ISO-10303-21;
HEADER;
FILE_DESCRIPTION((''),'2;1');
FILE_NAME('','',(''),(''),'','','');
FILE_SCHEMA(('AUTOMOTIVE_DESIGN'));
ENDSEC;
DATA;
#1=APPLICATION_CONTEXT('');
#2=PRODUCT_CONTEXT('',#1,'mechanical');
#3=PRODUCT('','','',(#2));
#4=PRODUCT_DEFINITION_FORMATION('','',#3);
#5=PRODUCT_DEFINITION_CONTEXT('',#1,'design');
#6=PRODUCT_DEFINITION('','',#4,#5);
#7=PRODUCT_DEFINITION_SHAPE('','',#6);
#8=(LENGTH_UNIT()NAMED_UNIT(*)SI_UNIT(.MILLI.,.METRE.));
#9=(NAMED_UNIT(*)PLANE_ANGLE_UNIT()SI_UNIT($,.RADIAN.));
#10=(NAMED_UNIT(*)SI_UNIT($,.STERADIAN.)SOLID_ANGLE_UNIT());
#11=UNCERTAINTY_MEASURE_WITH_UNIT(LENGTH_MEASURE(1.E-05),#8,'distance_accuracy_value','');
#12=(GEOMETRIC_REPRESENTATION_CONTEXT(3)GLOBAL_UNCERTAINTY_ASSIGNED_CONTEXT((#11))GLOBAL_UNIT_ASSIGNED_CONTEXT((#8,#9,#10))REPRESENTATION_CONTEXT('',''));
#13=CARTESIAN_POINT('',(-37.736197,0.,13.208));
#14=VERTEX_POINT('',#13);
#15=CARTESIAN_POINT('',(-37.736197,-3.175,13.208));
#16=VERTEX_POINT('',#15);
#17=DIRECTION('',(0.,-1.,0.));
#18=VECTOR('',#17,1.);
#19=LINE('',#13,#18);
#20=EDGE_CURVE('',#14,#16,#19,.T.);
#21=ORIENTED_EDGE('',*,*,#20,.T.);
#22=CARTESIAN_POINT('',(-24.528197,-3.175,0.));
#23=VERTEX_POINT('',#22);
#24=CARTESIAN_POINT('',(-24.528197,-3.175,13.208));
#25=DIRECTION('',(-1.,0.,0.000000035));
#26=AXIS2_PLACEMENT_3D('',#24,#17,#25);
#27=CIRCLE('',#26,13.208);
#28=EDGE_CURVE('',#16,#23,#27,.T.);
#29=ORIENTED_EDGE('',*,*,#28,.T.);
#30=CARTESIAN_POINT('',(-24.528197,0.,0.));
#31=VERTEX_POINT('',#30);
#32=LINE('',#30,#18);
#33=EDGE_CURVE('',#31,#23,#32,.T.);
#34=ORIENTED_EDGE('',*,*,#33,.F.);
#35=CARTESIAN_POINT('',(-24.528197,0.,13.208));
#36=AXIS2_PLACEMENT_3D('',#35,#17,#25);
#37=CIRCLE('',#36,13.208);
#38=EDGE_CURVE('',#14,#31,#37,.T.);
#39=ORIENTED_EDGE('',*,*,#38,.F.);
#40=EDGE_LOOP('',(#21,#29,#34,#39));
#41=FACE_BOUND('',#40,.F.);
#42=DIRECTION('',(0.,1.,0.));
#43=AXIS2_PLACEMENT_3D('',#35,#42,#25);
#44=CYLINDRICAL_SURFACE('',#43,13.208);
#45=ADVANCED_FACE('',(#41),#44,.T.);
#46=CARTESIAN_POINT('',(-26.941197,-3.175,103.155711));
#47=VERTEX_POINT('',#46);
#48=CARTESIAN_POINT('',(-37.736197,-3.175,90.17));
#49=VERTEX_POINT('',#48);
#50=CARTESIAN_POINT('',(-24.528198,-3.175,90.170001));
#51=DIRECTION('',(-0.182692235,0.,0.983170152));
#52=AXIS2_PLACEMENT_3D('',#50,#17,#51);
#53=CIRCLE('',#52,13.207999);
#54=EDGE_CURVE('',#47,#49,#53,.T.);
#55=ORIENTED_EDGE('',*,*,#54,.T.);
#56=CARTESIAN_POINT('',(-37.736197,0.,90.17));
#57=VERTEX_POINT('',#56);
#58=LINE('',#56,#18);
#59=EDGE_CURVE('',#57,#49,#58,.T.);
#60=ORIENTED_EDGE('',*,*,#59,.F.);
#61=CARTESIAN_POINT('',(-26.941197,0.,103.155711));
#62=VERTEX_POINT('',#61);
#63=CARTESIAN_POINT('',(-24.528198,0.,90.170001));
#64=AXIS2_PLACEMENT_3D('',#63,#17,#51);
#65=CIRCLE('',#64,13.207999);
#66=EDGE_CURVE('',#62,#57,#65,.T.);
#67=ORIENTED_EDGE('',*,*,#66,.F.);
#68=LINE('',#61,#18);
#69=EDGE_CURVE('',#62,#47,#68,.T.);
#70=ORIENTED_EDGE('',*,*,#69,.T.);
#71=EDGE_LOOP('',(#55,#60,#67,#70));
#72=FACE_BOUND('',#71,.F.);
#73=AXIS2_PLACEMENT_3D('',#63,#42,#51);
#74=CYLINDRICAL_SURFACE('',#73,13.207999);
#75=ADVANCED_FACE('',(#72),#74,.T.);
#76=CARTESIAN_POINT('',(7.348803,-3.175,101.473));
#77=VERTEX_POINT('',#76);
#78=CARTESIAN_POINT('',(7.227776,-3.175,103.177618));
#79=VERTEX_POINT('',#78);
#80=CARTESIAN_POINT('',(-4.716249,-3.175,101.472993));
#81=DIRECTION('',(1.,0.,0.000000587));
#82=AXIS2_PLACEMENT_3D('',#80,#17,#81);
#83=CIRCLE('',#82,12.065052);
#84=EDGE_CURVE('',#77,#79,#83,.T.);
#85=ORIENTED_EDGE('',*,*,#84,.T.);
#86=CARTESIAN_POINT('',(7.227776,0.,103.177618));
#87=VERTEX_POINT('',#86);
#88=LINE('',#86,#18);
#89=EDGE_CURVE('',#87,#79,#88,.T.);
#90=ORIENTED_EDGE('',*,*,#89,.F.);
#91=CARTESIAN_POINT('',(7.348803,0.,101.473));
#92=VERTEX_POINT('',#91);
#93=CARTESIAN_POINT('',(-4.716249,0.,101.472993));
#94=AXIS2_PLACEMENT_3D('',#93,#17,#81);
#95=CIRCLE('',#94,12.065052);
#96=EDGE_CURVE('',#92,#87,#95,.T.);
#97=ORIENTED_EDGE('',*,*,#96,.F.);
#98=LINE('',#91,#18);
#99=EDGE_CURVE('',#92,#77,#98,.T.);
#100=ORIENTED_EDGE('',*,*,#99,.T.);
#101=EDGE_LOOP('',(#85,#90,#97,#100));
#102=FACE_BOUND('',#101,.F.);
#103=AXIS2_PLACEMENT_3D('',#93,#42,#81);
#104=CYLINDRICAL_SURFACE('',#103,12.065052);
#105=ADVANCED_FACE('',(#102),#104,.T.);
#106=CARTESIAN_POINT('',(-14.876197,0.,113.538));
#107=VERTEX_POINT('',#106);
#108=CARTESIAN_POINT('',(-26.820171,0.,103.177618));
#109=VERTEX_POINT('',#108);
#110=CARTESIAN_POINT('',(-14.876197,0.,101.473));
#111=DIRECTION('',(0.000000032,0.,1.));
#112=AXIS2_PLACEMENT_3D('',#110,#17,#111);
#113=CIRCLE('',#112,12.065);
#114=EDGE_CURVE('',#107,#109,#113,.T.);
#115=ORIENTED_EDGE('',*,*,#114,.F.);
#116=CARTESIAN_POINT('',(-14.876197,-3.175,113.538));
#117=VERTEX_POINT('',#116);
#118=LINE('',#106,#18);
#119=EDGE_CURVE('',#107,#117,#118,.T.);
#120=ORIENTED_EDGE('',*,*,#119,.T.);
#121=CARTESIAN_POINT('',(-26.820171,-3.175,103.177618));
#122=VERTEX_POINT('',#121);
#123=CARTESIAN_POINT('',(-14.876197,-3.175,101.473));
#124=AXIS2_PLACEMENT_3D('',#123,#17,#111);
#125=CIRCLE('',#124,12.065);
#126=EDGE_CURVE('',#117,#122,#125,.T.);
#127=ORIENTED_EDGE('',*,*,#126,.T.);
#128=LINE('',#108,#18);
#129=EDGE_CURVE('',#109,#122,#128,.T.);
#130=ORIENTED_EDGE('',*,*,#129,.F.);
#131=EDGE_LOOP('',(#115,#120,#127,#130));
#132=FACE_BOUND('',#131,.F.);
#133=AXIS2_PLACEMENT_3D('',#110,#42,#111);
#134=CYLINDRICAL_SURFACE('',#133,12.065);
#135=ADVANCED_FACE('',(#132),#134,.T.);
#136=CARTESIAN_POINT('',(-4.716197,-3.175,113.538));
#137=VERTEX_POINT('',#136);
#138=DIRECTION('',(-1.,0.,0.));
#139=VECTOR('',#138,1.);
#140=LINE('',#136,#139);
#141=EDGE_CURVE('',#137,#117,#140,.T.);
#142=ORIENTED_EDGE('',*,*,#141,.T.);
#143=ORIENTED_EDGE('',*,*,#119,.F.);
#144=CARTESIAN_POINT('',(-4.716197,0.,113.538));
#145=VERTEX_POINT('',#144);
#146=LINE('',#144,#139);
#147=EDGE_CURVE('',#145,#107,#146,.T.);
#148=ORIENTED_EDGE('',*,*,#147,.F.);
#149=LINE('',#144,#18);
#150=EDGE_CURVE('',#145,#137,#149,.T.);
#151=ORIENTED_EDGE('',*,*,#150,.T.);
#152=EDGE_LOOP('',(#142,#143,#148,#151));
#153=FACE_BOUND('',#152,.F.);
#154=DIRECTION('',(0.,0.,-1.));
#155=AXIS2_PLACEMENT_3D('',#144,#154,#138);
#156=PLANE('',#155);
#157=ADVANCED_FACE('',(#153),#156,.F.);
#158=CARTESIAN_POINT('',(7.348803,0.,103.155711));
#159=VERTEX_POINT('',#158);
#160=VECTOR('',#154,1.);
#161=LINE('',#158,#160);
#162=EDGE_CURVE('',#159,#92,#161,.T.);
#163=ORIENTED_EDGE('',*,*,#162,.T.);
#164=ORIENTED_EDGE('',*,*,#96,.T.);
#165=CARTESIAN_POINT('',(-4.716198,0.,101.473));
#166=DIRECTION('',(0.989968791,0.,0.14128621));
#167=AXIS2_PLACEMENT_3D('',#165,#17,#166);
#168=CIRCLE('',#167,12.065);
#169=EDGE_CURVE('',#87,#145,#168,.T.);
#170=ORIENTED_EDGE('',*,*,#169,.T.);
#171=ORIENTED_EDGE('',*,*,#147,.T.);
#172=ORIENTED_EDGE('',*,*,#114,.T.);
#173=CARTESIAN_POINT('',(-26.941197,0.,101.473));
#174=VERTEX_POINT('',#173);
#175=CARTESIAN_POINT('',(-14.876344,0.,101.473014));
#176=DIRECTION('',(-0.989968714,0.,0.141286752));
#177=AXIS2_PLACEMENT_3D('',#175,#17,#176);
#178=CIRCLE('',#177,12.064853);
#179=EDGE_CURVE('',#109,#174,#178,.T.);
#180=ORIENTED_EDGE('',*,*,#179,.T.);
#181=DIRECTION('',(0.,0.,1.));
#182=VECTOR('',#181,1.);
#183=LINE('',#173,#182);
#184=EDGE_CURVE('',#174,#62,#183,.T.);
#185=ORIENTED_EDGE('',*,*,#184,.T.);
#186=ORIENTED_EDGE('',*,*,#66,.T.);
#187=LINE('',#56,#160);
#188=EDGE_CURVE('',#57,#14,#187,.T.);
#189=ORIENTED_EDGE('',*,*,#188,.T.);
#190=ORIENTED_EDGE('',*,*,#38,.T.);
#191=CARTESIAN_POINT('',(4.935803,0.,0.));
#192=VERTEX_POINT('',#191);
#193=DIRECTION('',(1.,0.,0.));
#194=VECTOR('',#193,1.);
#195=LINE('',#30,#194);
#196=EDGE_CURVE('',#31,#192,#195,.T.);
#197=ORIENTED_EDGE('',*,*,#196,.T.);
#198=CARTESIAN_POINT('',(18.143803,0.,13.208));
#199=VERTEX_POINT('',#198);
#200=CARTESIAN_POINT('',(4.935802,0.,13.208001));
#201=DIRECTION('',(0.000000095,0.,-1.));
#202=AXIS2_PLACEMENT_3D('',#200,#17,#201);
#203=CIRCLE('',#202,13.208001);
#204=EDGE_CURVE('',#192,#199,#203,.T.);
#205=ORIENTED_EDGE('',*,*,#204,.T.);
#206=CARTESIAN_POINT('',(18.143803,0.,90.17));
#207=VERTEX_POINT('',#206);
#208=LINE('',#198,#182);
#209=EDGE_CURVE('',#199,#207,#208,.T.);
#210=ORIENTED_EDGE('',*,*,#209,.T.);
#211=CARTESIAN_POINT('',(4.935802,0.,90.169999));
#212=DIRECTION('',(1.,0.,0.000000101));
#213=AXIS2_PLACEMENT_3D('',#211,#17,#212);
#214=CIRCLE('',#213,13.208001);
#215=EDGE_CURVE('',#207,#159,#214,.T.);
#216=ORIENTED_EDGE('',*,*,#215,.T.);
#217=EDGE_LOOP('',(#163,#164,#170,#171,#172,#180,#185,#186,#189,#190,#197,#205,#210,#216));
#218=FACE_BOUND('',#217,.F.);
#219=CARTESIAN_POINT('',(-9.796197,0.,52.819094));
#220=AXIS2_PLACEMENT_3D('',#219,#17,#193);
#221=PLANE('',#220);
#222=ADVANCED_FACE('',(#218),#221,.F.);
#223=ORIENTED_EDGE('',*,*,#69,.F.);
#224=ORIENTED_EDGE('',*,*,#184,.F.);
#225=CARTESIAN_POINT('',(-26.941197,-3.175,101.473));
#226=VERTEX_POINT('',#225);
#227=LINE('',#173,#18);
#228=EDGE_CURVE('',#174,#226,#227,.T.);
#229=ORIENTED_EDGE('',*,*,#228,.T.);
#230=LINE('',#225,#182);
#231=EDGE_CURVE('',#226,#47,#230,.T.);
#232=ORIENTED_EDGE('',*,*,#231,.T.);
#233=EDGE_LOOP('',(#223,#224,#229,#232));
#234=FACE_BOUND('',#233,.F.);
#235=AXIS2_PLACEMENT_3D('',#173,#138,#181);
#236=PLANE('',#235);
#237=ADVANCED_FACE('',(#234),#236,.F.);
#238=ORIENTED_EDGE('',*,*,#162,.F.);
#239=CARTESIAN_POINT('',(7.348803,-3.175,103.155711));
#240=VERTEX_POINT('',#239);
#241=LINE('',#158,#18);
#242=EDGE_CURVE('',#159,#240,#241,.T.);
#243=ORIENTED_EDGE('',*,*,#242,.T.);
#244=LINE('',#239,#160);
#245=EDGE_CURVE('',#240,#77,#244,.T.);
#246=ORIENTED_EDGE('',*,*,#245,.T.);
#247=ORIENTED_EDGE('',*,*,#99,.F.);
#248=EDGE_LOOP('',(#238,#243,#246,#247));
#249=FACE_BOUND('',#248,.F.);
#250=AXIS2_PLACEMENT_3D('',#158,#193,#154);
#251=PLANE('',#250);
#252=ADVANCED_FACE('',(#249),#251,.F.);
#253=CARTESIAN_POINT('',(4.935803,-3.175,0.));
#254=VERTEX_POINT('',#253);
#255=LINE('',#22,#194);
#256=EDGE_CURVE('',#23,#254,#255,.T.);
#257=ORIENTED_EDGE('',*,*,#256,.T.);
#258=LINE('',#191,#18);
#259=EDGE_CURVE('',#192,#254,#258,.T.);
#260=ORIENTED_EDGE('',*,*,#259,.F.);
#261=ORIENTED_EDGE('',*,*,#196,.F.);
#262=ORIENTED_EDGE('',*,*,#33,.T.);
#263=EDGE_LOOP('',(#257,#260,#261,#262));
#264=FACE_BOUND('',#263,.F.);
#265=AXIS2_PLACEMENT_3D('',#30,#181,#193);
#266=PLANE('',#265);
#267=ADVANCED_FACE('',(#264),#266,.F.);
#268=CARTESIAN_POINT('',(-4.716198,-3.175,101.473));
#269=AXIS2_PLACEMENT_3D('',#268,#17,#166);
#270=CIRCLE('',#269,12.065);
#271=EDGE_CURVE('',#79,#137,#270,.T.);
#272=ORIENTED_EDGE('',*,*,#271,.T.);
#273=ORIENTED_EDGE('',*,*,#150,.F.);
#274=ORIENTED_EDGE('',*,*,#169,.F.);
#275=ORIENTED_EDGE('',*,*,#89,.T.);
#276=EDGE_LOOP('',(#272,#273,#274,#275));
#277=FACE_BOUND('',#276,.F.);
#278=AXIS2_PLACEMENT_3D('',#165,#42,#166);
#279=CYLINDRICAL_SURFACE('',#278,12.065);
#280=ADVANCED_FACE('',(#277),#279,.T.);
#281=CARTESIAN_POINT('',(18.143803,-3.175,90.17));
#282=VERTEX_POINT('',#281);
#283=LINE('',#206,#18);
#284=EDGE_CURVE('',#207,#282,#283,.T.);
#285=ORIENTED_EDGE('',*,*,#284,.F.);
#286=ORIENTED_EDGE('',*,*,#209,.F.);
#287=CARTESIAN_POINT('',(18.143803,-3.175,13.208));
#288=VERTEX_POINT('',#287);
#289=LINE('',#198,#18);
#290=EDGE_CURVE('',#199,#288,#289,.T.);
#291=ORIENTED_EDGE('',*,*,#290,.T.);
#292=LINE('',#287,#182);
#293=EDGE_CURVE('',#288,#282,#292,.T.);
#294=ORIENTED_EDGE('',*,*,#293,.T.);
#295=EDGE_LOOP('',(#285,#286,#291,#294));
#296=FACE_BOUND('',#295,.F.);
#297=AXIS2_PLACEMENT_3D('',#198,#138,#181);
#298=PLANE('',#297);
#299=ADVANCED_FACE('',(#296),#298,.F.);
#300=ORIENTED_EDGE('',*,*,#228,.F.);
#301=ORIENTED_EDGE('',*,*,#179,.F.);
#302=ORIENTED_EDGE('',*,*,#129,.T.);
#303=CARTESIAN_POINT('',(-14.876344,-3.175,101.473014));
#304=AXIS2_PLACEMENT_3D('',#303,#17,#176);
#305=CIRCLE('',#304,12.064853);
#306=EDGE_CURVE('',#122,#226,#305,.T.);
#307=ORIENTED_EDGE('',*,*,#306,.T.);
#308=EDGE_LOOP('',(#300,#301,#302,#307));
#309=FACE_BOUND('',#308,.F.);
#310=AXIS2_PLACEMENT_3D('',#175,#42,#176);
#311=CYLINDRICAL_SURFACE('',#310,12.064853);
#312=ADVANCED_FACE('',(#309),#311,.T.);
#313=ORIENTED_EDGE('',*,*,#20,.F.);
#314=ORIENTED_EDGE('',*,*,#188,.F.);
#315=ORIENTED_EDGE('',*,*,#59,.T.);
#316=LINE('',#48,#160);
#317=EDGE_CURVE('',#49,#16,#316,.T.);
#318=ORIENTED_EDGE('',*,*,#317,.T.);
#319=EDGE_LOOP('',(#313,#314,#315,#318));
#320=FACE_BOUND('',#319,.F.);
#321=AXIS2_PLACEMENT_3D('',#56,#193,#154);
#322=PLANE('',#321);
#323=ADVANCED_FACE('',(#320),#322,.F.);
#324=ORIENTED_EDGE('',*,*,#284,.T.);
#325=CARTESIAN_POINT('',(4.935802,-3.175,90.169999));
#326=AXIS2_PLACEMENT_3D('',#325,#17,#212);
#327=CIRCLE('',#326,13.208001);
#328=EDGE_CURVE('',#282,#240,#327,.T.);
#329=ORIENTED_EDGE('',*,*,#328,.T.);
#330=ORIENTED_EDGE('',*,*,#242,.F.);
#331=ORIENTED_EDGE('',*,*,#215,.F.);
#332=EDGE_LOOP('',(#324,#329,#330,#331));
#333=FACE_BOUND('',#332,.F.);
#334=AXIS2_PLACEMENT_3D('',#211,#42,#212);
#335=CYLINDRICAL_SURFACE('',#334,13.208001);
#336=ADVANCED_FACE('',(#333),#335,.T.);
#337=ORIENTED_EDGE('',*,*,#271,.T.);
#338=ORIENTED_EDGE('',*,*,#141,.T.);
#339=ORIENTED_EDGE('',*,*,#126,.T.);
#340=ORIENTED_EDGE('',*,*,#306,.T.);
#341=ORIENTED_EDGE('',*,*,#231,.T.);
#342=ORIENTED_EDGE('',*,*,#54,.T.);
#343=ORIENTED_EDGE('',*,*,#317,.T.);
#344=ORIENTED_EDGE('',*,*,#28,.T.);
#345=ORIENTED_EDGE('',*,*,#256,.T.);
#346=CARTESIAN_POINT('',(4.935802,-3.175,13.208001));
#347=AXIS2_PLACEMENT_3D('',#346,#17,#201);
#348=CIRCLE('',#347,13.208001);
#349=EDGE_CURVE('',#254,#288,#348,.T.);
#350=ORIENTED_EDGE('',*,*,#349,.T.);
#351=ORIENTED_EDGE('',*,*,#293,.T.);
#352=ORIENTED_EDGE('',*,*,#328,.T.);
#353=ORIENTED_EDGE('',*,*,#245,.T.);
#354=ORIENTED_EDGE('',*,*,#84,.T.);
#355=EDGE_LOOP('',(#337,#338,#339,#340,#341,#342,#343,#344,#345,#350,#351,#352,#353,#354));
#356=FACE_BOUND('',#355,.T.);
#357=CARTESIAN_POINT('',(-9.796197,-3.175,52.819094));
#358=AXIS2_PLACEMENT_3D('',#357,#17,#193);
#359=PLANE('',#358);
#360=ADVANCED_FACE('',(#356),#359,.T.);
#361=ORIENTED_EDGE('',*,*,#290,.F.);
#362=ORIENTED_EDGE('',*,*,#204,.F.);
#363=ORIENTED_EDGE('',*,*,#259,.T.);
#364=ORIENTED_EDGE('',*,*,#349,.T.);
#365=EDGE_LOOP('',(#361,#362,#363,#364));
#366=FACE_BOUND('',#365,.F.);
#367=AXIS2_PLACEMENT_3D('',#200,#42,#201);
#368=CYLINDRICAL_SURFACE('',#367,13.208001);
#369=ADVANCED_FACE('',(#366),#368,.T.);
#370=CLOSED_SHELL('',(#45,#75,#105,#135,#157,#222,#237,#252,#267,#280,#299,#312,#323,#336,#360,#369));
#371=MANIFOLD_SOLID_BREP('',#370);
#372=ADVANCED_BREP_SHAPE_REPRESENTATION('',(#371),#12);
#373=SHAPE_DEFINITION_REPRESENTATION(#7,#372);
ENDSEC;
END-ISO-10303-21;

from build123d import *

# Parameters (mm, degrees)
F1_DEPTH = 3.175


with BuildPart() as f1:
    # F0 (on Front) → F1 (new body)
    with BuildSketch(Plane.XZ):
        with BuildLine():
            ThreePointArc((-37.736197, 13.208), (-33.867664, 3.868534), (-24.528197, 0))
            Line((-24.528197, 0), (4.935803, 0))
            ThreePointArc((4.935803, 0), (14.275269, 3.868534), (18.143803, 13.208))
            Line((18.143803, 13.208), (18.143803, 90.17))
            ThreePointArc((18.143803, 90.17), (15.092627, 98.613351), (7.348803, 103.155711))
            Line((7.348803, 103.155711), (7.348803, 101.473))
            ThreePointArc((7.348803, 101.473), (7.318508, 102.327454), (7.227776, 103.177618))
            ThreePointArc((7.227776, 103.177618), (6.086161, 103.327809), (4.935803, 103.378))
            Line((4.935803, 103.378), (-24.528197, 103.378))
            ThreePointArc((-24.528197, 103.378), (-25.678556, 103.327809), (-26.820171, 103.177618))
            ThreePointArc((-26.820171, 103.177618), (-26.910903, 102.327454), (-26.941197, 101.473))
            Line((-26.941197, 101.473), (-26.941197, 103.155711))
            ThreePointArc((-26.941197, 103.155711), (-34.685022, 98.613351), (-37.736197, 90.17))
            Line((-37.736197, 90.17), (-37.736197, 13.208))
        make_face()
        with BuildLine():
            ThreePointArc((-14.876197, 113.538), (-22.781829, 110.587012), (-26.820171, 103.177618))
            ThreePointArc((-26.820171, 103.177618), (-25.678556, 103.327809), (-24.528197, 103.378))
            Line((-24.528197, 103.378), (4.935803, 103.378))
            ThreePointArc((4.935803, 103.378), (6.086161, 103.327809), (7.227776, 103.177618))
            ThreePointArc((7.227776, 103.177618), (3.189434, 110.587012), (-4.716197, 113.538))
            Line((-4.716197, 113.538), (-14.876197, 113.538))
        make_face()
    extrude(amount=F1_DEPTH)


solid = f1.part
